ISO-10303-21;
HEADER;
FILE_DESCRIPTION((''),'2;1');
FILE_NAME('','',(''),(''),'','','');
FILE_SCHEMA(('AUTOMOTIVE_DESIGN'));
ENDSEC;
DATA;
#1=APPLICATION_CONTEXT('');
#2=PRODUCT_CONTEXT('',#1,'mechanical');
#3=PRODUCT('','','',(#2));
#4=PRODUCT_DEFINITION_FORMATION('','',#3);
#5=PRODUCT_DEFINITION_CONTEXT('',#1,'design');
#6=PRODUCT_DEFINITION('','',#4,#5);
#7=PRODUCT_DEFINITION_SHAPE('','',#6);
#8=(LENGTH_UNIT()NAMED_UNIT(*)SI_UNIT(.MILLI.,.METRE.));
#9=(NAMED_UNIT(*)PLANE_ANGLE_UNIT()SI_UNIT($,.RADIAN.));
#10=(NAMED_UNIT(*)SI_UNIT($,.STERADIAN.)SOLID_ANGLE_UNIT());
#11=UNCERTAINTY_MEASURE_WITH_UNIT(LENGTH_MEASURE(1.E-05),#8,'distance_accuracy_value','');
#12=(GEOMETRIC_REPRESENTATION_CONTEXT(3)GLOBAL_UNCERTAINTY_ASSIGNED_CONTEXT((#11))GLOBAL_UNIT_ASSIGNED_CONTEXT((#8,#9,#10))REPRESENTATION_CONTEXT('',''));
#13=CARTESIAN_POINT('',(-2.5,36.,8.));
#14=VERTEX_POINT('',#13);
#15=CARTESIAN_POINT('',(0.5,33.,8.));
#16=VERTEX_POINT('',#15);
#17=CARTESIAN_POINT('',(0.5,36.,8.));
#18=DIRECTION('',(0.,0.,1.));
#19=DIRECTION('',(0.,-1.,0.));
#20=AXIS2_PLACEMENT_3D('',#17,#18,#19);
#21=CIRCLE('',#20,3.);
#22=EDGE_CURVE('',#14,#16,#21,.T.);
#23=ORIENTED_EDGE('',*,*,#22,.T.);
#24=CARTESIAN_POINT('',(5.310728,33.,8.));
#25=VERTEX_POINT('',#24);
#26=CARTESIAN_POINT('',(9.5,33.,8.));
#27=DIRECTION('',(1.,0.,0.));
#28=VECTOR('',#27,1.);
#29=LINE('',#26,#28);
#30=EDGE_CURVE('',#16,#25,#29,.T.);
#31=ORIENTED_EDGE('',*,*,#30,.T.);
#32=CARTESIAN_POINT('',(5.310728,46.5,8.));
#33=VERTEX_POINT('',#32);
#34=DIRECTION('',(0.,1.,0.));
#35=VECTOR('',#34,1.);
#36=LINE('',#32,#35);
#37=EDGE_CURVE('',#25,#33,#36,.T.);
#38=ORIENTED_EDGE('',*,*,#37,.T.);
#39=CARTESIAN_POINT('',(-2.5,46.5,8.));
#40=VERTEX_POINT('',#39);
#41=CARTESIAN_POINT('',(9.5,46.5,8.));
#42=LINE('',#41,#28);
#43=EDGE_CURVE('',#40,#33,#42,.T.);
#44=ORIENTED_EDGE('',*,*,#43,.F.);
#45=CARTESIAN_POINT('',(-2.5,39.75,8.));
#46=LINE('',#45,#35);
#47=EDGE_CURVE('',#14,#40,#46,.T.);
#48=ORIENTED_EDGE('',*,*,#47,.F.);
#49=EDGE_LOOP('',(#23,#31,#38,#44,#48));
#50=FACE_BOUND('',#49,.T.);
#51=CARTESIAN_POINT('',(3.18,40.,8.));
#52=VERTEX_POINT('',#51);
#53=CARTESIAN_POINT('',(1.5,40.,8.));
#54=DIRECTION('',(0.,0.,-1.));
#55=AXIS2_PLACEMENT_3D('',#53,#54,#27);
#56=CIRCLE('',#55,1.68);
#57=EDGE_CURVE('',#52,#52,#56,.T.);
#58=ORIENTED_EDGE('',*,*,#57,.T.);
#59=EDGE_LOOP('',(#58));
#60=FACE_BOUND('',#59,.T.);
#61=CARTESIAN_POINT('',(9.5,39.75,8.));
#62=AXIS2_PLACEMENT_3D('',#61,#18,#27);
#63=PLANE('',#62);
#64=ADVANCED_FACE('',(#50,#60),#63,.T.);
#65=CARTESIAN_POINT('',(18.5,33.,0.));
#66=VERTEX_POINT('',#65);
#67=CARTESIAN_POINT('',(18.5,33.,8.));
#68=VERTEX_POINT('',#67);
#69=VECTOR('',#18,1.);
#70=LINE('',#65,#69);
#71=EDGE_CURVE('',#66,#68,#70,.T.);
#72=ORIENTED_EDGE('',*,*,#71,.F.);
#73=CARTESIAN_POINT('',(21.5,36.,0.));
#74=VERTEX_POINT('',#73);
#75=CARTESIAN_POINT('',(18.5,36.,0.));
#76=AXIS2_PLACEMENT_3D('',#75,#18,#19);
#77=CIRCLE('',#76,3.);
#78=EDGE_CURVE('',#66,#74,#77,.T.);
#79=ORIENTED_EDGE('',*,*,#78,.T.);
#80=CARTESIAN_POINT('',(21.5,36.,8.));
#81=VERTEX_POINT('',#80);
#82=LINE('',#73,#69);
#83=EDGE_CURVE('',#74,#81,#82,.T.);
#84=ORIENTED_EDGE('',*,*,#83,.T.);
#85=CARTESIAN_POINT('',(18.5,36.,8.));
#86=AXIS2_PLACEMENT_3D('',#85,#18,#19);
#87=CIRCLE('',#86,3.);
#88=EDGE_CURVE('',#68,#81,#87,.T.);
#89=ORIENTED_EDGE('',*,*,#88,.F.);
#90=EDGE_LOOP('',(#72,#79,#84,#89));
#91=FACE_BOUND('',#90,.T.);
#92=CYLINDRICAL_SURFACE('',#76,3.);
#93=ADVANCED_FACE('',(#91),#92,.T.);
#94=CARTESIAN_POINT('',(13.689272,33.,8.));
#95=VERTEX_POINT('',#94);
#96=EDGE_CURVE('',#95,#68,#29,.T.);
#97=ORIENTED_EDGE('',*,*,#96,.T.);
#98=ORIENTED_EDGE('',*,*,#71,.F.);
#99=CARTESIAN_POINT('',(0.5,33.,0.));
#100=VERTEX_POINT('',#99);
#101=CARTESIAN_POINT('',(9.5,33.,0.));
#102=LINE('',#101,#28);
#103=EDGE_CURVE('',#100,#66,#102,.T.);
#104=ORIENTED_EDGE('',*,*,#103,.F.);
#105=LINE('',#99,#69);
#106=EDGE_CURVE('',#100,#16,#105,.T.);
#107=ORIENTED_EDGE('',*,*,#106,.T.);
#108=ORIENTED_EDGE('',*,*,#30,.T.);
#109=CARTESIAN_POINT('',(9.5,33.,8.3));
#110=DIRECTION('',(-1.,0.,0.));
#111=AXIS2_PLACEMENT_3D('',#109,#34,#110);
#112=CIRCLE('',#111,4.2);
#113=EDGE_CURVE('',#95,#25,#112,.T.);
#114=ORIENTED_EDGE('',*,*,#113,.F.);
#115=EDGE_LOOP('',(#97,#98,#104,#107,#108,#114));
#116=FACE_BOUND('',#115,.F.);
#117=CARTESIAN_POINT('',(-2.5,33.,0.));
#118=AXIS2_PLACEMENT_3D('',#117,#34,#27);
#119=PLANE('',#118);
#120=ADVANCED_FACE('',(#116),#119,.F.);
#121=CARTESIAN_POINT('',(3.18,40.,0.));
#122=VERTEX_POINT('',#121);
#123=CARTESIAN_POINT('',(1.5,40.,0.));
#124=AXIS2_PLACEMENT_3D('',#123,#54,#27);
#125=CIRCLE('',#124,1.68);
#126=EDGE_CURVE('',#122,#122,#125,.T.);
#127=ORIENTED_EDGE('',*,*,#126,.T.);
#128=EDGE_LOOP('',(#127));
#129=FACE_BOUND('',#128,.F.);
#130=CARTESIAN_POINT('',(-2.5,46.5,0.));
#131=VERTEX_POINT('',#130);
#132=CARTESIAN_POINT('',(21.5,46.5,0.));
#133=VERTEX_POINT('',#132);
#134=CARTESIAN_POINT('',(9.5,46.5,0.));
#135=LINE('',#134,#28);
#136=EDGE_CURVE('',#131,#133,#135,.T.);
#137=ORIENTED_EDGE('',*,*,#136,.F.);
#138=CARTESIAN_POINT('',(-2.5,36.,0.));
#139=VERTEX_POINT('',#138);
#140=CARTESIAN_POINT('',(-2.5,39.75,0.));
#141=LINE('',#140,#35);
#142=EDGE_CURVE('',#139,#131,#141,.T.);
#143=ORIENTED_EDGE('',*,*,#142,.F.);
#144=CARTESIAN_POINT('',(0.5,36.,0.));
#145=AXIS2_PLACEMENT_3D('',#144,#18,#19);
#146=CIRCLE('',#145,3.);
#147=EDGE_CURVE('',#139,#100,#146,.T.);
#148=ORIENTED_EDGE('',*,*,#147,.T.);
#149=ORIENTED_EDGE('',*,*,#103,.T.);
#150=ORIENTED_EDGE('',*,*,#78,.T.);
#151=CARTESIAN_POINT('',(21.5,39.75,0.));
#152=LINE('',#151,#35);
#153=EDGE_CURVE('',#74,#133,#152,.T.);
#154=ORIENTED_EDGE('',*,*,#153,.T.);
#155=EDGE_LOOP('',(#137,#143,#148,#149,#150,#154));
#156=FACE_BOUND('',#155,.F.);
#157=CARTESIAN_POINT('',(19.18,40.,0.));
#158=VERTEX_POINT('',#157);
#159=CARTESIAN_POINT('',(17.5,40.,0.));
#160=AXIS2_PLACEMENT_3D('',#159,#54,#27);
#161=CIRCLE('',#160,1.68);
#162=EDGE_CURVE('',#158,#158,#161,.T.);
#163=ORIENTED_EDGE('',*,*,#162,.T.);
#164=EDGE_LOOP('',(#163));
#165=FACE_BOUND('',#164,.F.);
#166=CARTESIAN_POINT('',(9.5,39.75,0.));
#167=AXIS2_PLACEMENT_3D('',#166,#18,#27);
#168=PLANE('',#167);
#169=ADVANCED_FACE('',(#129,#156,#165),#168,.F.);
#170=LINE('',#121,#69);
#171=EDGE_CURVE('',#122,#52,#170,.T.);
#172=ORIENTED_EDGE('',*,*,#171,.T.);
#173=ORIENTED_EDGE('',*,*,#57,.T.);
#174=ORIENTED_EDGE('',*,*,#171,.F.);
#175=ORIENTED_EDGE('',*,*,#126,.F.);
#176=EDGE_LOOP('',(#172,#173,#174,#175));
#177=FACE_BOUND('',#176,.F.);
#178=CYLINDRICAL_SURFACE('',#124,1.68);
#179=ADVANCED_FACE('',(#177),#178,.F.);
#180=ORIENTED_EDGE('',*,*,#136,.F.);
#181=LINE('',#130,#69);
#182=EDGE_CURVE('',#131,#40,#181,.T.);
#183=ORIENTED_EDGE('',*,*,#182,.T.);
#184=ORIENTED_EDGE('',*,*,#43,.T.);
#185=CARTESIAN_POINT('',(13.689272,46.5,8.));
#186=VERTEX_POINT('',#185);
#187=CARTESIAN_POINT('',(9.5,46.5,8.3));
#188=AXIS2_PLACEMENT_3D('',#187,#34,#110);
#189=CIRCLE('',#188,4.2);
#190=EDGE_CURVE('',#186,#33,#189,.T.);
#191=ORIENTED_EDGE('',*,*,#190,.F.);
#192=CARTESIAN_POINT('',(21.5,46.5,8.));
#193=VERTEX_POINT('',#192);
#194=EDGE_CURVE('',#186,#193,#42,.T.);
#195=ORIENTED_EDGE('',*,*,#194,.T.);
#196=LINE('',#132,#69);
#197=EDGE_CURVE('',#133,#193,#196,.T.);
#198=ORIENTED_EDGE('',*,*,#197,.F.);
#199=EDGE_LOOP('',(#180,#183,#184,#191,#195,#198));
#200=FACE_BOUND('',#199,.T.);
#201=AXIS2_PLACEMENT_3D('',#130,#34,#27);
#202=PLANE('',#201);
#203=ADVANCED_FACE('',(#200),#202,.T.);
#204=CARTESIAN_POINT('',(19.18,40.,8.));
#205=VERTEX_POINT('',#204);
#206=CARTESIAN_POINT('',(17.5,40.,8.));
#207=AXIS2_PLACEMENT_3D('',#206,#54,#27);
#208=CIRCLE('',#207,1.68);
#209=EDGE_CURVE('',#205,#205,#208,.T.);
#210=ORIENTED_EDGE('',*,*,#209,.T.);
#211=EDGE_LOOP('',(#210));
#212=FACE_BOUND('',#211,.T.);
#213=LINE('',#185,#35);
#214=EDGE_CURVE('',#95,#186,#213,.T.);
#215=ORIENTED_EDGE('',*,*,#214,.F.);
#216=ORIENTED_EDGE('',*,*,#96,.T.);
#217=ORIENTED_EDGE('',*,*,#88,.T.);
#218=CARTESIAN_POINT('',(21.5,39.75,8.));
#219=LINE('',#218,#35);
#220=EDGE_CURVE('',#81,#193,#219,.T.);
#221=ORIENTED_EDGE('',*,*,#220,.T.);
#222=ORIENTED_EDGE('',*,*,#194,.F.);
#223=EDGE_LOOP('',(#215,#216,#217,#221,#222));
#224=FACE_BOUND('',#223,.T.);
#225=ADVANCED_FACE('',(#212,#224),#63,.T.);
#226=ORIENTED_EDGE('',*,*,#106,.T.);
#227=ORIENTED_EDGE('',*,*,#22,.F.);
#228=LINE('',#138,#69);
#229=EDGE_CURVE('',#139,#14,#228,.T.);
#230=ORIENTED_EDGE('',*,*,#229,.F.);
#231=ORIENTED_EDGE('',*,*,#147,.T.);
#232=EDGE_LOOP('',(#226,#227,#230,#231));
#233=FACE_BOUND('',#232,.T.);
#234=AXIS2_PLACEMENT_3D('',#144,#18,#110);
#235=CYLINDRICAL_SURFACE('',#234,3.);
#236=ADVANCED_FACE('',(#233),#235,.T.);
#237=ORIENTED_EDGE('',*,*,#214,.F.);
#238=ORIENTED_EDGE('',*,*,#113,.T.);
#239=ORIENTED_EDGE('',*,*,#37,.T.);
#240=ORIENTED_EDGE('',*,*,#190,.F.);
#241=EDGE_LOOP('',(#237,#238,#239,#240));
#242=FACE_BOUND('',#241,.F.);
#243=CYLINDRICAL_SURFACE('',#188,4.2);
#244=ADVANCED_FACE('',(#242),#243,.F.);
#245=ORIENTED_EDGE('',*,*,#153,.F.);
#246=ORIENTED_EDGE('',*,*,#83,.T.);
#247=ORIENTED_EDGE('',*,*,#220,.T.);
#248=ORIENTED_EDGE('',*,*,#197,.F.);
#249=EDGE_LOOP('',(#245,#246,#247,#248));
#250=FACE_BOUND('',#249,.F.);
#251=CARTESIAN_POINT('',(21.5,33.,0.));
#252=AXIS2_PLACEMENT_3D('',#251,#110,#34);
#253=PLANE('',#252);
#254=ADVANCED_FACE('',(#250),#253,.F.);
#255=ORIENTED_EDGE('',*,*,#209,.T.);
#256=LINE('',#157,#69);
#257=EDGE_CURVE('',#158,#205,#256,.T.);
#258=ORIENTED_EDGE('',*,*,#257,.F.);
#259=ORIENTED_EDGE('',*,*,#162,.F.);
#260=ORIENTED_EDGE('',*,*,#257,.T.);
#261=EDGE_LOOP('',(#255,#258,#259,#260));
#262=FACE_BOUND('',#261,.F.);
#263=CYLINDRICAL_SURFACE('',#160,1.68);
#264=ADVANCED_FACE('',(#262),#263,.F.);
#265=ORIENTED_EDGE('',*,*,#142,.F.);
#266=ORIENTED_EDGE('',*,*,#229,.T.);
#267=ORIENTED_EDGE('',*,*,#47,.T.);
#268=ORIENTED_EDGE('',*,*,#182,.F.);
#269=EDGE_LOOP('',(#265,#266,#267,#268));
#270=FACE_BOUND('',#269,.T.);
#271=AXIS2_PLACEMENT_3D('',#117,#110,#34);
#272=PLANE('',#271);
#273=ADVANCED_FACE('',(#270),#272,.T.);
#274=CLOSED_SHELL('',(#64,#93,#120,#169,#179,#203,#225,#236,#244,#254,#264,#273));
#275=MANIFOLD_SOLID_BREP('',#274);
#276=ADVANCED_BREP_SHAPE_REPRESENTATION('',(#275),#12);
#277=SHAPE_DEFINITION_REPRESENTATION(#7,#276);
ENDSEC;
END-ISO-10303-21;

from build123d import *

# Parameters (mm, degrees)
BOX002_W        = 24
BOX002_H        = 13.5
BOX002_DEPTH    = 8
SKETCH003_R     = 4.2
POCKET003_DEPTH = 14
SKETCH004_R     = 1.68
POCKET004_DEPTH = 8.001
FILLET_R        = 3


with BuildPart() as part:
    # Box002 → Box002 (new body)
    with BuildSketch(Plane(origin=(-2.5, 33, 0), x_dir=(1, 0, 0), z_dir=(0, 0, 1))):
        with Locations((12, 6.75)):
            Rectangle(BOX002_W, BOX002_H)
    extrude(amount=BOX002_DEPTH)

    # Sketch003 → Pocket003 (cut)
    with BuildSketch(Plane(origin=(-2.5, 46.5, 0), x_dir=(-1, 0, 0), z_dir=(0, 1, 0))):
        with Locations((-12, 8.3)):
            Circle(SKETCH003_R)
    extrude(amount=-POCKET003_DEPTH, mode=Mode.SUBTRACT)

    # Sketch004 → Pocket004 (cut, through all)
    with BuildSketch(Plane(origin=(-2.5, 33, 0), x_dir=(1, 0, 0), z_dir=(0, 0, -1))):
        with Locations((4, -7)):
            Circle(SKETCH004_R)
        with Locations((20, -7)):
            Circle(SKETCH004_R)
    extrude(amount=-POCKET004_DEPTH, mode=Mode.SUBTRACT)

    # Fillet
    fillet_edges = [part.edges().sort_by_distance(p)[0] for p in [
        (21.5, 33, 4),
        (-2.5, 33, 4),
    ]]
    fillet(fillet_edges, radius=FILLET_R)


solid = part.part
